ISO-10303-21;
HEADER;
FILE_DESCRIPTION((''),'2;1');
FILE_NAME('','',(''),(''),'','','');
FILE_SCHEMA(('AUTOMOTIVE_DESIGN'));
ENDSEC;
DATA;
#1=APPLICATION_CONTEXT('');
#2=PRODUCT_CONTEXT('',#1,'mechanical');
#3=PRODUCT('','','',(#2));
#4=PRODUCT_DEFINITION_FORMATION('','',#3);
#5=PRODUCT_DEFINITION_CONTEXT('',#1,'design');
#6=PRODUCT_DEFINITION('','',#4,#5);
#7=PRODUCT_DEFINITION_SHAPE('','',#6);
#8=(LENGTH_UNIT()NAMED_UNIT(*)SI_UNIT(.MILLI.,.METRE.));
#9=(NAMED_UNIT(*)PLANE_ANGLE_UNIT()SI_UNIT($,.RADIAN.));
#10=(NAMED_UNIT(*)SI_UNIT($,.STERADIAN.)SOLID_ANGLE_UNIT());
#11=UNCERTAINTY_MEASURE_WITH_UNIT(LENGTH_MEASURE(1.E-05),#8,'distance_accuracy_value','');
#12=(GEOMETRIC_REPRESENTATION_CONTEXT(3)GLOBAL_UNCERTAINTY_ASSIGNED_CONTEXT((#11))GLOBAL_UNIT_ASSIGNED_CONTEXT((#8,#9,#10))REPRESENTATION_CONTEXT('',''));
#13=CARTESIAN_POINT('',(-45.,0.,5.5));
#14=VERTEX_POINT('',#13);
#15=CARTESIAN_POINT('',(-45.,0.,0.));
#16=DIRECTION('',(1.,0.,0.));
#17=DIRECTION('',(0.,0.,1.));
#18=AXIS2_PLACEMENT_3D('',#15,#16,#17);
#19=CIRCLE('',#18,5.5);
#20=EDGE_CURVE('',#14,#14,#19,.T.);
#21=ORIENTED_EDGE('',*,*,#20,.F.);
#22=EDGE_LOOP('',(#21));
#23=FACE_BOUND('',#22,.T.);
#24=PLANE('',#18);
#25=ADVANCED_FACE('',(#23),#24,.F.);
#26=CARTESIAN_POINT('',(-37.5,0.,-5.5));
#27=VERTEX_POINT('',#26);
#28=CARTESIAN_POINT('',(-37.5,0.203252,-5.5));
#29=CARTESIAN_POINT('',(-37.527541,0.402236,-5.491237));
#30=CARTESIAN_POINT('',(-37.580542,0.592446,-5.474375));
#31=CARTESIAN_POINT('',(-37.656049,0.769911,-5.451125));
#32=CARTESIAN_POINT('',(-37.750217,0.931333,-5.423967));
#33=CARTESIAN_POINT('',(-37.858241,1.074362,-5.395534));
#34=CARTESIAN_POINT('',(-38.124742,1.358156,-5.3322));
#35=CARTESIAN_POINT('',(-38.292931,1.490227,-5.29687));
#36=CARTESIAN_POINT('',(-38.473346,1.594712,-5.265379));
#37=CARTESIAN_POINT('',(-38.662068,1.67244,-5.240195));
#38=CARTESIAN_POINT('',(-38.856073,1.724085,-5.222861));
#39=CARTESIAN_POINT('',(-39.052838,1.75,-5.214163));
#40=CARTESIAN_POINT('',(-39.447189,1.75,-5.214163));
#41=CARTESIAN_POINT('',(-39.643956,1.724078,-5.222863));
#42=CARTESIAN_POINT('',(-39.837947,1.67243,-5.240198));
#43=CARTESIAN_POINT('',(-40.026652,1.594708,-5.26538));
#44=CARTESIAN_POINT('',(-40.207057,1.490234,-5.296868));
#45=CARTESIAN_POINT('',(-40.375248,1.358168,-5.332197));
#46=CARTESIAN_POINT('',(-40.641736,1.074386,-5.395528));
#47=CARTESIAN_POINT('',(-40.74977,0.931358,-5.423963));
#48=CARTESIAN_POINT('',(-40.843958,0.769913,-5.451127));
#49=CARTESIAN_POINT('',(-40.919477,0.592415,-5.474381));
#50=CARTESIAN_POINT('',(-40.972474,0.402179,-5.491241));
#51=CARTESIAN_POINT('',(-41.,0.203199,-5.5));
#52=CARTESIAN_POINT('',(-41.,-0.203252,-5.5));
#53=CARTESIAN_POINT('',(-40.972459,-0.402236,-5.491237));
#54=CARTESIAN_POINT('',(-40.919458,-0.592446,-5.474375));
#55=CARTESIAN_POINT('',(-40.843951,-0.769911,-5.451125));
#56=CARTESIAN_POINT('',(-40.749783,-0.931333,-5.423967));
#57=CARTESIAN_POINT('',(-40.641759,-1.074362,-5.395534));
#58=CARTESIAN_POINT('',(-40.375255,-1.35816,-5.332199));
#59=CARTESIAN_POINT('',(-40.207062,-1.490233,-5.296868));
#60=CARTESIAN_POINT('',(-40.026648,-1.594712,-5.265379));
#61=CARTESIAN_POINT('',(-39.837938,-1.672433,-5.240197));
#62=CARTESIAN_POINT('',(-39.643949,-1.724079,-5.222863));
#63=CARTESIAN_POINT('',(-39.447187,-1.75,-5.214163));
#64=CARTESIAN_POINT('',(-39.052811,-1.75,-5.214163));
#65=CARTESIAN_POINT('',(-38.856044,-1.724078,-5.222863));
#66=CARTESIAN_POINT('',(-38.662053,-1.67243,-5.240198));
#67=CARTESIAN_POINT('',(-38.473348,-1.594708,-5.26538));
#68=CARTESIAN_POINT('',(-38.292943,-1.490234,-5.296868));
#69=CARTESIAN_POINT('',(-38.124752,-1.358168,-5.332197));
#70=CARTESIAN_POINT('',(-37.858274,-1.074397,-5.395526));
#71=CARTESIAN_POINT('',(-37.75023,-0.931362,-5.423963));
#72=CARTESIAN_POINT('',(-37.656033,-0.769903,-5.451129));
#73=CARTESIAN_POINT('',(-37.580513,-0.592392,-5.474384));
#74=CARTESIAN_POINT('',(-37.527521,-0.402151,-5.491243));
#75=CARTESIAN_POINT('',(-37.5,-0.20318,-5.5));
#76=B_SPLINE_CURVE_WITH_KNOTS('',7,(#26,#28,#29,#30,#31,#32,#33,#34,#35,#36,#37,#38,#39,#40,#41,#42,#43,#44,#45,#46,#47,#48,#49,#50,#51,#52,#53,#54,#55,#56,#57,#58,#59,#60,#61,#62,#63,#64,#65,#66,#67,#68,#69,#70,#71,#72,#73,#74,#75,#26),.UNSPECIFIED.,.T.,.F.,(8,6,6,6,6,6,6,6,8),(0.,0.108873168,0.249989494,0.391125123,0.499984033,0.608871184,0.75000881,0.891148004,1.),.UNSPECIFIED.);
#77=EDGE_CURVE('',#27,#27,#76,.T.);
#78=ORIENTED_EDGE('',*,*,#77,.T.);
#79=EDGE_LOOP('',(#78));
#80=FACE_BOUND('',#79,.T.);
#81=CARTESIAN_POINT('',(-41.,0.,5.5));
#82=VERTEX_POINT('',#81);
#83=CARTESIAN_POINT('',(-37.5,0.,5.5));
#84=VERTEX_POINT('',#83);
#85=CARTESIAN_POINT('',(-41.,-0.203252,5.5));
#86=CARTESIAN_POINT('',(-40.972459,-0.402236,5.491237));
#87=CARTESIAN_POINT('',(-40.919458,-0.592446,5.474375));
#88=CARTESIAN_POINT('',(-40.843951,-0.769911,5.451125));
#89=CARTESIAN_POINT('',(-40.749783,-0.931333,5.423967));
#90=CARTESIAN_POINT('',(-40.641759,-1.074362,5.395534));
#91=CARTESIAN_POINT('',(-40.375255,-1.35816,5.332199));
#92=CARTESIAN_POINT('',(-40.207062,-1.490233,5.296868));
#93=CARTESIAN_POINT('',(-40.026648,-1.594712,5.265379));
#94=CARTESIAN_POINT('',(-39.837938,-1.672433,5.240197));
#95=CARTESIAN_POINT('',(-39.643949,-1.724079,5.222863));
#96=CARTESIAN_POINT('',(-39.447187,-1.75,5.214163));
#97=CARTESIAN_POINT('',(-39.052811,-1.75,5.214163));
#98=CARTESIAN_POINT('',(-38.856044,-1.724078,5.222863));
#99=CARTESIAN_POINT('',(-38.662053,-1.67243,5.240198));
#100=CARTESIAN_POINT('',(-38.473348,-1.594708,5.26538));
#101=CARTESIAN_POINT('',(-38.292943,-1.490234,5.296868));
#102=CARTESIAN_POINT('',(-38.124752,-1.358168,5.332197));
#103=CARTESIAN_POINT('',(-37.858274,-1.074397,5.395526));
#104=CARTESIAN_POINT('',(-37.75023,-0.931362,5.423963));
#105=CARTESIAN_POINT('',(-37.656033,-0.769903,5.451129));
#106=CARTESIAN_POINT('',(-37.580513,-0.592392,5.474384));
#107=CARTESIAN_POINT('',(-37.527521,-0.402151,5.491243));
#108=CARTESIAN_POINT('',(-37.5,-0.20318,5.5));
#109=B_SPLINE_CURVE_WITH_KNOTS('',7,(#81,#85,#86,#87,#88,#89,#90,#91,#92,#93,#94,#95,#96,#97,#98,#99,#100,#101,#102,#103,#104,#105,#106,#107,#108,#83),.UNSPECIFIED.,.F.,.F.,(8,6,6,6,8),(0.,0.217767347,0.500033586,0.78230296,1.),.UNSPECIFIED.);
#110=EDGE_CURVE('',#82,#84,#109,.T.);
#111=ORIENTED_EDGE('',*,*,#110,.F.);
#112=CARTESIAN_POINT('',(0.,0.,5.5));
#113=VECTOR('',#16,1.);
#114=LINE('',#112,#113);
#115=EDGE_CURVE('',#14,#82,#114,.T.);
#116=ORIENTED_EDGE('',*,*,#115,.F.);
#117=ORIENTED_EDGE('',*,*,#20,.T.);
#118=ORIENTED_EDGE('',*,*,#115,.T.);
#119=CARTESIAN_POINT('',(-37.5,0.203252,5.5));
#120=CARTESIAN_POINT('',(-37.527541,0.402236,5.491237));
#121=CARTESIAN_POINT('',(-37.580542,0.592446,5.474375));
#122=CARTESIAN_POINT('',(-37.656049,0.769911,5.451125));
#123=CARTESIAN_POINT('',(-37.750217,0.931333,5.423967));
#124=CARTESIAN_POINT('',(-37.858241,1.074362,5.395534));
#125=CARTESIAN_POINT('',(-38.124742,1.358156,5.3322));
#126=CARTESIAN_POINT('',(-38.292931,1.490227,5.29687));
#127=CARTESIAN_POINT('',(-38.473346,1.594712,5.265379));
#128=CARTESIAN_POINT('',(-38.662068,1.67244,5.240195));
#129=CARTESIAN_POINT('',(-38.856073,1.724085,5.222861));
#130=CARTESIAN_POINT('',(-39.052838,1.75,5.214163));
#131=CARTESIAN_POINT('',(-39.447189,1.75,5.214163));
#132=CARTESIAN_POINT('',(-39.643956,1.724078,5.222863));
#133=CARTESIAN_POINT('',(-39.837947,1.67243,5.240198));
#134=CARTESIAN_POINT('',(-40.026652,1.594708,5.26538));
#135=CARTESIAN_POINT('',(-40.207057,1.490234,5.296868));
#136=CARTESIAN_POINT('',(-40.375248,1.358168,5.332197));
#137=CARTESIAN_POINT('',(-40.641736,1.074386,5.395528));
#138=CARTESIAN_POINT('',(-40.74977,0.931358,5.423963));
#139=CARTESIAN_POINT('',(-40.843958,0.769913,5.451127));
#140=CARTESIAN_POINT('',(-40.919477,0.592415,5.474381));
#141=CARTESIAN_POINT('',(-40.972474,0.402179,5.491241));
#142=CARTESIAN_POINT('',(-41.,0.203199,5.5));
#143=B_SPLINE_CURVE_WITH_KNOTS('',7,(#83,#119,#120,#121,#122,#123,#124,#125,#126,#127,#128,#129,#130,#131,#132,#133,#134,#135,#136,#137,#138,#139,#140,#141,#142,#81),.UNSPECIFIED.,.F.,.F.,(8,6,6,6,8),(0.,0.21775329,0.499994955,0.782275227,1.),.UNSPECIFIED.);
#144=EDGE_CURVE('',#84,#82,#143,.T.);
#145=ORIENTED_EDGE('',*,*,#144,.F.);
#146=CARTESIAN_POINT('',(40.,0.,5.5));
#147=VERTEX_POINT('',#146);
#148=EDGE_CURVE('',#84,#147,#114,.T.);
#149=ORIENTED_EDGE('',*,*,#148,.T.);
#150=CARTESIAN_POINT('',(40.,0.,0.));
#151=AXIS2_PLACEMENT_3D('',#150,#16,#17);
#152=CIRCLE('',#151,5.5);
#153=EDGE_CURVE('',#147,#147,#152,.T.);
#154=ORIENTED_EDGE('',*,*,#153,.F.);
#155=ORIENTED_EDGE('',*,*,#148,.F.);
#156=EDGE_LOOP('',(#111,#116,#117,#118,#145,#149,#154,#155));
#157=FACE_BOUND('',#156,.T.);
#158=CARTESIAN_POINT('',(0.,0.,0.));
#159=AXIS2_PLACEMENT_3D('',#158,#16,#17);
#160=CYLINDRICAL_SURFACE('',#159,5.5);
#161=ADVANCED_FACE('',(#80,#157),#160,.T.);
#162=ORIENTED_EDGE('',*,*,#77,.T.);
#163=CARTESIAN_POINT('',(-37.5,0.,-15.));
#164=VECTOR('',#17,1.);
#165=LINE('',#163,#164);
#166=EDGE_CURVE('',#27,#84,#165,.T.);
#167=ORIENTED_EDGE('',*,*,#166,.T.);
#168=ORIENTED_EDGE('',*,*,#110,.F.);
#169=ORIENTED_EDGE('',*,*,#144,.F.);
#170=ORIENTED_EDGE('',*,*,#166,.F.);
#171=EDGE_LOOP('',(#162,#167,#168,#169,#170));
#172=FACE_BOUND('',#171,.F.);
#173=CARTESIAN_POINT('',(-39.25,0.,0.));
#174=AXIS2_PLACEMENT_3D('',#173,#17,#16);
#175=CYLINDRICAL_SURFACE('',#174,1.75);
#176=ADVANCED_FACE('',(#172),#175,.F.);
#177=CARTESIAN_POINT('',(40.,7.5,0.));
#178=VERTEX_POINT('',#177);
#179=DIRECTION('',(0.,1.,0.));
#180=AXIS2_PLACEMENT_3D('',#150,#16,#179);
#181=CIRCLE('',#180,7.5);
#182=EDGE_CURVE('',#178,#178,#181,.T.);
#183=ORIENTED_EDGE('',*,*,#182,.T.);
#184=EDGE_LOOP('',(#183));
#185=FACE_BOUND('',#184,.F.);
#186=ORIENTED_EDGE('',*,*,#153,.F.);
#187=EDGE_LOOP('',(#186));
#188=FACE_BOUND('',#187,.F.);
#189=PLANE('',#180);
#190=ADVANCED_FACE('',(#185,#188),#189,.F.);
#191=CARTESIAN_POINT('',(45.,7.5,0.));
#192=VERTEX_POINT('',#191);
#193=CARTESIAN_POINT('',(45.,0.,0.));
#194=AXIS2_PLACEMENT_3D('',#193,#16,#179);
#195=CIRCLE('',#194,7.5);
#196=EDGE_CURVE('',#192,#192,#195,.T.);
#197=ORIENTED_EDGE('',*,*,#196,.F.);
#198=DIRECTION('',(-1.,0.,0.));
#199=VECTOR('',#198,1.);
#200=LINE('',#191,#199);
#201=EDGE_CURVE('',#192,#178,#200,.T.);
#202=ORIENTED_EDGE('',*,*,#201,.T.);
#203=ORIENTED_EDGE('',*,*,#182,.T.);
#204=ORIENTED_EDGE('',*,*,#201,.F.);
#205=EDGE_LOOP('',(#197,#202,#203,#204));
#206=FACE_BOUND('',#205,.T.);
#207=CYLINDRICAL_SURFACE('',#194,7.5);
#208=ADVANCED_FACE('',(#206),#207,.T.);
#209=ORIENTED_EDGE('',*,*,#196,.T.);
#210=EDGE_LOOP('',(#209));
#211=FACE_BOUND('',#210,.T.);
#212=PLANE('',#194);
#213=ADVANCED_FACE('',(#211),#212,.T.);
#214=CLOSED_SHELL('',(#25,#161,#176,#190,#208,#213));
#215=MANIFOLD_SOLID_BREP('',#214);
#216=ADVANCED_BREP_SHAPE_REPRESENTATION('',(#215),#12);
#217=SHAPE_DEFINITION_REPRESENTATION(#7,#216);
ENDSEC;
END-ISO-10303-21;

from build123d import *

# Parameters (mm, degrees)
F0_W     = 90
F0_H     = 5.5
F2_R     = 1.75
F3_DEPTH = 15
F4_R     = 7.5
F4_R_2   = 5.5
F5_DEPTH = 5


with BuildPart() as f1:
    # F0 (on Front) → F1 (revolve)
    with BuildSketch(Plane.XZ):
        with Locations((0, 2.75)):
            Rectangle(F0_W, F0_H)
    revolve(axis=Axis((0, 0, 0), (1, 0, 0)))

    # F2 (on Top) → F3 (cut, symmetric)
    with BuildSketch(Plane.XY):
        with Locations((-39.25, 0)):
            Circle(F2_R)
    extrude(amount=F3_DEPTH, both=True, mode=Mode.SUBTRACT)

    # F4 (on face) → F5 (join)
    with BuildSketch(Plane.YZ.offset(45)):
        Circle(F4_R)
        Circle(F4_R_2, mode=Mode.SUBTRACT)
    extrude(amount=-F5_DEPTH)


solid = f1.part
